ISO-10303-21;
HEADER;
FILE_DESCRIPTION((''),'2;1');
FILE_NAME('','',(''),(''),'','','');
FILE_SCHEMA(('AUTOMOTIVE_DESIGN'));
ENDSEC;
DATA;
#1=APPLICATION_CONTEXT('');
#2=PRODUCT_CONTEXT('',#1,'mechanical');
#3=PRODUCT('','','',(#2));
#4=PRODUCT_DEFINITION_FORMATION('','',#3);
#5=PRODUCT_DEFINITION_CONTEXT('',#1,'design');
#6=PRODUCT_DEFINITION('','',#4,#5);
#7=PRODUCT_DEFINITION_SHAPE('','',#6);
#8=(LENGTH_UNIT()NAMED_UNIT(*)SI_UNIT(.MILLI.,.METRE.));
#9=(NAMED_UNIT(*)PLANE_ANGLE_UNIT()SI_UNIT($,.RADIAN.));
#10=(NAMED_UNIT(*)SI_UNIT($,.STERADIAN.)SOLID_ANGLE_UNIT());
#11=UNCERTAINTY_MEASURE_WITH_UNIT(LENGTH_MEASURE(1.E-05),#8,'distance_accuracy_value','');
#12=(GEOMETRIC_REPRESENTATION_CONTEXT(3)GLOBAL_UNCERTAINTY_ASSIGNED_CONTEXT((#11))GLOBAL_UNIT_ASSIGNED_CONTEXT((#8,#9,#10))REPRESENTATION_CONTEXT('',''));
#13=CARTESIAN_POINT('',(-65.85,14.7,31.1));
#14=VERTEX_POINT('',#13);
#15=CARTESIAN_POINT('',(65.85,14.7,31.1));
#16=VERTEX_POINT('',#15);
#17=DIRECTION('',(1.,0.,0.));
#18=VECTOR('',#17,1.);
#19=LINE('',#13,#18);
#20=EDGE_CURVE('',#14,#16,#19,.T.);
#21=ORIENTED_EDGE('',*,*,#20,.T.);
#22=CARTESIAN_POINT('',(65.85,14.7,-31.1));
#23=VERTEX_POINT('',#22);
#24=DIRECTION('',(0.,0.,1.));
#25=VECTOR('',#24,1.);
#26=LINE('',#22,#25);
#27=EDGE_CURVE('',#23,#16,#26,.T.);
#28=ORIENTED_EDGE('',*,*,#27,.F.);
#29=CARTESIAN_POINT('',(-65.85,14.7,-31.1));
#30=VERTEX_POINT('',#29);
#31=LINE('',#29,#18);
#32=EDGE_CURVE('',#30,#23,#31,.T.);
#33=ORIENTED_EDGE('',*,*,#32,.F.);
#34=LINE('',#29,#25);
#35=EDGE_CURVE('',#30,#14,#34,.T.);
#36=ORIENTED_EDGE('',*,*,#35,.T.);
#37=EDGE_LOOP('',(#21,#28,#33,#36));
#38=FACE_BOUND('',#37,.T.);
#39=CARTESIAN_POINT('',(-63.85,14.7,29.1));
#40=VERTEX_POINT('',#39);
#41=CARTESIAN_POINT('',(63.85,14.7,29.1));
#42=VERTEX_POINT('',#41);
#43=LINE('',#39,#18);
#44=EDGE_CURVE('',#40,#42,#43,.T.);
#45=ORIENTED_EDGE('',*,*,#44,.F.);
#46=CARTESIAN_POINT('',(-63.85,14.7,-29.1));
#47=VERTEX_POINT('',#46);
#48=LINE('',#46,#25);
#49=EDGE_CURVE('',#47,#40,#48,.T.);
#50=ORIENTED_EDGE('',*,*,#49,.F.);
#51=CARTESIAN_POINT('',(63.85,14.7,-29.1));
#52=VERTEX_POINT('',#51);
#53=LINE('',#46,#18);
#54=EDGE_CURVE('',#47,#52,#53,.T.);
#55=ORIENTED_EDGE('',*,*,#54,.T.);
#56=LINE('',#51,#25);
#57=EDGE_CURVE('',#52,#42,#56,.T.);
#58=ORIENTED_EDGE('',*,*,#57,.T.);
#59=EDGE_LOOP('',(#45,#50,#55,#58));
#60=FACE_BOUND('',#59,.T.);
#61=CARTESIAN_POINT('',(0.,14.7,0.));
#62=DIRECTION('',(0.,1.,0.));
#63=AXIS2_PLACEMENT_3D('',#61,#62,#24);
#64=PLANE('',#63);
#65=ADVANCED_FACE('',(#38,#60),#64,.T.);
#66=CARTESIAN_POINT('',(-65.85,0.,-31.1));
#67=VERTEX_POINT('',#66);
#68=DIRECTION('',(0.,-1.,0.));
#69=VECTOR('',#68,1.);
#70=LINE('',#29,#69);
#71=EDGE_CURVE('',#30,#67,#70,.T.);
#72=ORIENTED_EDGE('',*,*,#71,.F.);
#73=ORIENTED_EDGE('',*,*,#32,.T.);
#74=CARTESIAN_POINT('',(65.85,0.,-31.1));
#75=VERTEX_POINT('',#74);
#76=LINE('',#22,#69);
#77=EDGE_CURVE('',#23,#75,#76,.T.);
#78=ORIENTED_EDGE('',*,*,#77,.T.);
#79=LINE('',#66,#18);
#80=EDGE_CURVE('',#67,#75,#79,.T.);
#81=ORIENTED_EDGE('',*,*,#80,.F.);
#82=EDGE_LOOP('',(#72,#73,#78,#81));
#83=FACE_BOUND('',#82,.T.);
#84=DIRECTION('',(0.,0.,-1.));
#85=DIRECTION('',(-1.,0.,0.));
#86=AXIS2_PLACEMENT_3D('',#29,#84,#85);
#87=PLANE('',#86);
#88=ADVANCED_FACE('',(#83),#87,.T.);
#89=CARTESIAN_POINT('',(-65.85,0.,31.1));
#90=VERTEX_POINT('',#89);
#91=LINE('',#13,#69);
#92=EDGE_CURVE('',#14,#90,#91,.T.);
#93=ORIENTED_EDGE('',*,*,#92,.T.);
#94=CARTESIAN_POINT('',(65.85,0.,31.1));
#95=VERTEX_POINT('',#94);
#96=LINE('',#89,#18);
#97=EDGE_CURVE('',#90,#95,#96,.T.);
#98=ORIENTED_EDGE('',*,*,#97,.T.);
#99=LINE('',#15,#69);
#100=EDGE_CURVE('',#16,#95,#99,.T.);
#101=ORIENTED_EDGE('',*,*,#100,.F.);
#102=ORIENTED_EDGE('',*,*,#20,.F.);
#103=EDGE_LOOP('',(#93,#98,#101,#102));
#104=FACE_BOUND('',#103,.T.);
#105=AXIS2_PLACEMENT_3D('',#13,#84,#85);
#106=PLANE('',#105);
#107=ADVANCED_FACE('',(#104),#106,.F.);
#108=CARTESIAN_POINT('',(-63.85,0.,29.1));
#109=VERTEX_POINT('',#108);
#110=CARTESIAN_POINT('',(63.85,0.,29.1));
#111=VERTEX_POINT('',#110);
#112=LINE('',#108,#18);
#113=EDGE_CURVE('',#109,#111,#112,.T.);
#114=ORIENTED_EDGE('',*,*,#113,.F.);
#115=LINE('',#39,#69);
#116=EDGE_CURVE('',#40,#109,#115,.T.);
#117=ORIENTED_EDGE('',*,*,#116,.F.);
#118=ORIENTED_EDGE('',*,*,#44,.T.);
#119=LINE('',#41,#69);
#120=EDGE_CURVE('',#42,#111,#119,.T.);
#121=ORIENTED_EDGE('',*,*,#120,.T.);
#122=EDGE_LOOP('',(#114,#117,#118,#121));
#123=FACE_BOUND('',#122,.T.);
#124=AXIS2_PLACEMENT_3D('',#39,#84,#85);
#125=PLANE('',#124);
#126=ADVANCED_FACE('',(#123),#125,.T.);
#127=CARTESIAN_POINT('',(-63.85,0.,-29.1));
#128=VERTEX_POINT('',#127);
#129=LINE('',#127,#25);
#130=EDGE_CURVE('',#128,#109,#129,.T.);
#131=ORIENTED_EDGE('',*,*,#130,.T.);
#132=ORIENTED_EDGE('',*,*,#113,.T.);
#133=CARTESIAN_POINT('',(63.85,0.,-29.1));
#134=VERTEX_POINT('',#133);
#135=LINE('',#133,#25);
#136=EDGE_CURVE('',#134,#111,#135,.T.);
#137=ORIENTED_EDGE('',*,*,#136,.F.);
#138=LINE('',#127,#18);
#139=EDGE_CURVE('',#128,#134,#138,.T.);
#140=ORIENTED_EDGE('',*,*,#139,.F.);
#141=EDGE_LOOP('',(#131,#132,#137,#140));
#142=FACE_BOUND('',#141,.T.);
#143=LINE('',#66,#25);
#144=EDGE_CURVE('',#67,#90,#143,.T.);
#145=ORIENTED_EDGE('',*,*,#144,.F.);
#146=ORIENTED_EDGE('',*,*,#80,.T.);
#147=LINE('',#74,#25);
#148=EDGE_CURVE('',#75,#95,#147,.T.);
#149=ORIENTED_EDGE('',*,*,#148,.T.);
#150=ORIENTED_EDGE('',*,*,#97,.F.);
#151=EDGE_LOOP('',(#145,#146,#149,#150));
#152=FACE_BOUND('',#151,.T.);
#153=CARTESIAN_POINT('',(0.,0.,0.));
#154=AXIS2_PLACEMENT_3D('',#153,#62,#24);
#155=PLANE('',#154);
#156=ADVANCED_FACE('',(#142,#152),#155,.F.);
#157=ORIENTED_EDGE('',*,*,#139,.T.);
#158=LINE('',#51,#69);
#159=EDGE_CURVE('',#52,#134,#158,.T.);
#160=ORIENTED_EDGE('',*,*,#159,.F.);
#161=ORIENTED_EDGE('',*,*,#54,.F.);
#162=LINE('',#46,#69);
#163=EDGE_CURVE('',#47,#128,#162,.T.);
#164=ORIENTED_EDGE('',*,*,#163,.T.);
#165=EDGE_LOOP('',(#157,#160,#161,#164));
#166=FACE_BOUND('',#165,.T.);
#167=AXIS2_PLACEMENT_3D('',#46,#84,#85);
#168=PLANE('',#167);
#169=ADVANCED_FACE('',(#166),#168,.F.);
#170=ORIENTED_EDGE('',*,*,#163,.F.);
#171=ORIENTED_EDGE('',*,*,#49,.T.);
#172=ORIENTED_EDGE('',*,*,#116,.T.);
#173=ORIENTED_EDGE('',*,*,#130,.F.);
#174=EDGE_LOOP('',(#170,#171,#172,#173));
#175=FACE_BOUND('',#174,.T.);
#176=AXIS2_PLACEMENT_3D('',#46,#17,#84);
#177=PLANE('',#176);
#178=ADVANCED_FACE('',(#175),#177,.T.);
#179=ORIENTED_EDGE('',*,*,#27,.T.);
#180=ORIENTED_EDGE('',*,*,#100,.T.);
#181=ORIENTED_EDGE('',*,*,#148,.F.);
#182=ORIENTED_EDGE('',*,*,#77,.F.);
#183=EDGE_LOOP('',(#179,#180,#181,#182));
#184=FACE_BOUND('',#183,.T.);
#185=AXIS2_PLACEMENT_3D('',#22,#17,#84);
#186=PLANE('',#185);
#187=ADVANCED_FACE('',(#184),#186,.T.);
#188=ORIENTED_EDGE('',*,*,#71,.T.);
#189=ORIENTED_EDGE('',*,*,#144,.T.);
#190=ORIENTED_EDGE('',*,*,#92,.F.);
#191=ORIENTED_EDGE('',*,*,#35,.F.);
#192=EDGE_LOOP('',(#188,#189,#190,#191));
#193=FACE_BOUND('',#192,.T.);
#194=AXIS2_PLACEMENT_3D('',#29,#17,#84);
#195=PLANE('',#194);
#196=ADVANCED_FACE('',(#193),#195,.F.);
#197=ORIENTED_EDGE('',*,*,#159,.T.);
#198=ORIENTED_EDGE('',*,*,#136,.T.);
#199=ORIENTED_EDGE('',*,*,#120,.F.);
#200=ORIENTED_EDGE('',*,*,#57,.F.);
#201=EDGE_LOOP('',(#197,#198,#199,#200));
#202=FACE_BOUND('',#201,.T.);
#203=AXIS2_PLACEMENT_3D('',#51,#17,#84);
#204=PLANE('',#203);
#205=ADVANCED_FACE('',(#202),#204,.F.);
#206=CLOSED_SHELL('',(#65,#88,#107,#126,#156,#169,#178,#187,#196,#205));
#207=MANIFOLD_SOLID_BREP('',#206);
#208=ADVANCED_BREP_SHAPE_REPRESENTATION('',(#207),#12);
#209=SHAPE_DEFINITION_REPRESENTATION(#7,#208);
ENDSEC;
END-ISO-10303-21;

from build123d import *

# Parameters (mm, degrees)
SKETCH1_W           = 131.7
SKETCH1_H           = 62.2
SKETCH1_W_2         = 127.7
SKETCH1_H_2         = 58.2
BOSS_EXTRUDE1_DEPTH = 14.7


with BuildPart() as part:
    # Sketch1 → Boss-Extrude1 (new body)
    with BuildSketch(Plane(origin=(0, 0, 0), x_dir=(1, 0, 0), z_dir=(0, 1, 0))):
        Rectangle(SKETCH1_W, SKETCH1_H)
        Rectangle(SKETCH1_W_2, SKETCH1_H_2, mode=Mode.SUBTRACT)
    extrude(amount=BOSS_EXTRUDE1_DEPTH)


solid = part.part
